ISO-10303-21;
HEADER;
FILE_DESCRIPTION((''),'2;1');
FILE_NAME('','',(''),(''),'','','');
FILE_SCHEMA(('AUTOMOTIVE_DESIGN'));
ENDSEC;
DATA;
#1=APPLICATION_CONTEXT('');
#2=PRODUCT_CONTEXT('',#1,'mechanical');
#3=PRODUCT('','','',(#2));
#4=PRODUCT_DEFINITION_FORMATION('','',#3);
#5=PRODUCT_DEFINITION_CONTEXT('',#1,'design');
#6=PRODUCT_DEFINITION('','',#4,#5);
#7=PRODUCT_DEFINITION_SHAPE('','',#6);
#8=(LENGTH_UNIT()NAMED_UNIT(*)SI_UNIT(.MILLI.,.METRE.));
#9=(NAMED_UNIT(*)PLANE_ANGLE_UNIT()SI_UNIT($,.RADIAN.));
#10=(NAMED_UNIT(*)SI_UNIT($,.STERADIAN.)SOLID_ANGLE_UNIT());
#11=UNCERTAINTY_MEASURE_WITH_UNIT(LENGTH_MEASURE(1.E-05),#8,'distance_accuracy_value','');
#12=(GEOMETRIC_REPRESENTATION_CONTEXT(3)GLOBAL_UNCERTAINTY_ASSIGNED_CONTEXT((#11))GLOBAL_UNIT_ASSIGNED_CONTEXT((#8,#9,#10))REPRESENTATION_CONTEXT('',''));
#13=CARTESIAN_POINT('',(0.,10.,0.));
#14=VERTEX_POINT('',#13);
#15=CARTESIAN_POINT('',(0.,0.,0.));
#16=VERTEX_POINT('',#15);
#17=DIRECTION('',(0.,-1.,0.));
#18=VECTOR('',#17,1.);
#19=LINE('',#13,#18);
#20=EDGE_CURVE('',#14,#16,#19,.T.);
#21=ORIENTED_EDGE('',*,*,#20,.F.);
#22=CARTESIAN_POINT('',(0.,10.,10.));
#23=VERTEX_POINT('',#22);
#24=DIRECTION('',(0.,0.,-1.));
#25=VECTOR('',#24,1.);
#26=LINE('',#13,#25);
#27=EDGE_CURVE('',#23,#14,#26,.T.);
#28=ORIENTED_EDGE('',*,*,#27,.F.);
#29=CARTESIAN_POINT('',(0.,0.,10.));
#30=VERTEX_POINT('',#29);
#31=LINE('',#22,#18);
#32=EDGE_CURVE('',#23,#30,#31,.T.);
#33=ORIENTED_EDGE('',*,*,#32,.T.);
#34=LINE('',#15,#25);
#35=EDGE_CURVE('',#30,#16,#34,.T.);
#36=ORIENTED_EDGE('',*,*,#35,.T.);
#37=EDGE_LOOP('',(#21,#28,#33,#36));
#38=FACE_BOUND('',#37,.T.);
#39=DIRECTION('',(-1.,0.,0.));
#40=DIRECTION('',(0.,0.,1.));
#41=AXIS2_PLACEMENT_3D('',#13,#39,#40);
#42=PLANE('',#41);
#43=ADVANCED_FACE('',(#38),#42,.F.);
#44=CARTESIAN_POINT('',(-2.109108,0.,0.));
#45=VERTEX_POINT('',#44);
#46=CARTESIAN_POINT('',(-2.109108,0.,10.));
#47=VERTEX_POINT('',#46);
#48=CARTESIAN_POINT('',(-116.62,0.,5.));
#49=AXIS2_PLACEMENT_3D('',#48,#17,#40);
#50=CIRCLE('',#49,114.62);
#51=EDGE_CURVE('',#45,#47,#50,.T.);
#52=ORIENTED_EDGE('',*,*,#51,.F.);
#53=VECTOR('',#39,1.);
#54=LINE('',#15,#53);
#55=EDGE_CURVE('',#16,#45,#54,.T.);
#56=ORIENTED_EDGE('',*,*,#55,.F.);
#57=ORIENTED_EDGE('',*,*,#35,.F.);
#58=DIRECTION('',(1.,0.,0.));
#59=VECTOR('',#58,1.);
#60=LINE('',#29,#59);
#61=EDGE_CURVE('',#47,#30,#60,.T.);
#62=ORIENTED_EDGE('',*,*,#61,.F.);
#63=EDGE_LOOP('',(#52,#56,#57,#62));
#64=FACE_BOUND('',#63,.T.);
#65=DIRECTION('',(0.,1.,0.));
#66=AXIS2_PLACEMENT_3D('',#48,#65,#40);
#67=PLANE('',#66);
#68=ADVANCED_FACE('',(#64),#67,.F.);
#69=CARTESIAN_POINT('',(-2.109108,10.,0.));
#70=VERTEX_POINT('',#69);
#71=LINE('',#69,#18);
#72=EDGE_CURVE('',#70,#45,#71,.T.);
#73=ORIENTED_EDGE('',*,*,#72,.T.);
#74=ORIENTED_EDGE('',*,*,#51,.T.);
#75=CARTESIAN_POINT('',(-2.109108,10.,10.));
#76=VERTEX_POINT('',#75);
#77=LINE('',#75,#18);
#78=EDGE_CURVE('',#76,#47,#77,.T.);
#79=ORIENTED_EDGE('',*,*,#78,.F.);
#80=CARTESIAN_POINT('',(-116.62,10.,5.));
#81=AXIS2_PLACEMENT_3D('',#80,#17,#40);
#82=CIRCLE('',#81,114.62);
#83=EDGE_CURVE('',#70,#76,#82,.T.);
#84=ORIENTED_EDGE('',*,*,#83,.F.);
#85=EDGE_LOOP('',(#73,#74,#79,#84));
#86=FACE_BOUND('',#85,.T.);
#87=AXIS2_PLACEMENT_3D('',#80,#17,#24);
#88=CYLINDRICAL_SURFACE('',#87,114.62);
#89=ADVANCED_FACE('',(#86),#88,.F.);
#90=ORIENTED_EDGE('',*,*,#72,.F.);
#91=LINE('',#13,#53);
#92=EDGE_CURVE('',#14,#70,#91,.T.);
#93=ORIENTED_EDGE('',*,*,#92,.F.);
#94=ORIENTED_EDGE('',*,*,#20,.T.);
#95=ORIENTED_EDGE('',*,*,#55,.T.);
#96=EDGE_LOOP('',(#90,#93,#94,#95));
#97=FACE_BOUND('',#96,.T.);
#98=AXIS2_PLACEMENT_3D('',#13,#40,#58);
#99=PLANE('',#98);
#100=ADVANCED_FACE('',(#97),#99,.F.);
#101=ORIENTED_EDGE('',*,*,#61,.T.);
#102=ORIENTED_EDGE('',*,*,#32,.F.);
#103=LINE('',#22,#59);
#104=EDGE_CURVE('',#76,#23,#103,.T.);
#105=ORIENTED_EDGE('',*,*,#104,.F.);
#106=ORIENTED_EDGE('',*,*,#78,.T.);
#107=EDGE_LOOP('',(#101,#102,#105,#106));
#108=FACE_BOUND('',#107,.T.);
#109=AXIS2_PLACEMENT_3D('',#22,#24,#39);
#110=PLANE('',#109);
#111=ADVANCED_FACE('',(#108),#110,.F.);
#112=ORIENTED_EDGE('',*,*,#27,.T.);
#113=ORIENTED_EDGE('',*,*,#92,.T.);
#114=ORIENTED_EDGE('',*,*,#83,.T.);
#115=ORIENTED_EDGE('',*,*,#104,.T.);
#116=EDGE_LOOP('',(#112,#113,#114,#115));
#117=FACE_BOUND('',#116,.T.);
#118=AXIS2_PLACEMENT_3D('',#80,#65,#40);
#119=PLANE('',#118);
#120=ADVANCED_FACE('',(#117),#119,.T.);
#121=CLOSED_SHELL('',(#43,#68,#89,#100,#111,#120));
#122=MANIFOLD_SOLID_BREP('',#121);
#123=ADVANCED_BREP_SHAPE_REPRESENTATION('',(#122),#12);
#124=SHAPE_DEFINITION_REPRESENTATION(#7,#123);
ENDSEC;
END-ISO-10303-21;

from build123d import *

# Parameters (mm, degrees)
EXTRUDE_1_DEPTH = 10


with BuildPart() as part:
    # 草图1 → 凸台-拉伸1 (new body)
    with BuildSketch(Plane(origin=(0, 0, 0), x_dir=(1, 0, 0), z_dir=(0, 1, 0))):
        with BuildLine():
            Line((0, 0), (0, -10))
            Line((0, -10), (-2.109107942, -10))
            ThreePointArc((-2.109107942, -10), (-2, -5), (-2.109107942, 0))
            Line((-2.109107942, 0), (0, 0))
        make_face()
    extrude(amount=EXTRUDE_1_DEPTH)


solid = part.part
